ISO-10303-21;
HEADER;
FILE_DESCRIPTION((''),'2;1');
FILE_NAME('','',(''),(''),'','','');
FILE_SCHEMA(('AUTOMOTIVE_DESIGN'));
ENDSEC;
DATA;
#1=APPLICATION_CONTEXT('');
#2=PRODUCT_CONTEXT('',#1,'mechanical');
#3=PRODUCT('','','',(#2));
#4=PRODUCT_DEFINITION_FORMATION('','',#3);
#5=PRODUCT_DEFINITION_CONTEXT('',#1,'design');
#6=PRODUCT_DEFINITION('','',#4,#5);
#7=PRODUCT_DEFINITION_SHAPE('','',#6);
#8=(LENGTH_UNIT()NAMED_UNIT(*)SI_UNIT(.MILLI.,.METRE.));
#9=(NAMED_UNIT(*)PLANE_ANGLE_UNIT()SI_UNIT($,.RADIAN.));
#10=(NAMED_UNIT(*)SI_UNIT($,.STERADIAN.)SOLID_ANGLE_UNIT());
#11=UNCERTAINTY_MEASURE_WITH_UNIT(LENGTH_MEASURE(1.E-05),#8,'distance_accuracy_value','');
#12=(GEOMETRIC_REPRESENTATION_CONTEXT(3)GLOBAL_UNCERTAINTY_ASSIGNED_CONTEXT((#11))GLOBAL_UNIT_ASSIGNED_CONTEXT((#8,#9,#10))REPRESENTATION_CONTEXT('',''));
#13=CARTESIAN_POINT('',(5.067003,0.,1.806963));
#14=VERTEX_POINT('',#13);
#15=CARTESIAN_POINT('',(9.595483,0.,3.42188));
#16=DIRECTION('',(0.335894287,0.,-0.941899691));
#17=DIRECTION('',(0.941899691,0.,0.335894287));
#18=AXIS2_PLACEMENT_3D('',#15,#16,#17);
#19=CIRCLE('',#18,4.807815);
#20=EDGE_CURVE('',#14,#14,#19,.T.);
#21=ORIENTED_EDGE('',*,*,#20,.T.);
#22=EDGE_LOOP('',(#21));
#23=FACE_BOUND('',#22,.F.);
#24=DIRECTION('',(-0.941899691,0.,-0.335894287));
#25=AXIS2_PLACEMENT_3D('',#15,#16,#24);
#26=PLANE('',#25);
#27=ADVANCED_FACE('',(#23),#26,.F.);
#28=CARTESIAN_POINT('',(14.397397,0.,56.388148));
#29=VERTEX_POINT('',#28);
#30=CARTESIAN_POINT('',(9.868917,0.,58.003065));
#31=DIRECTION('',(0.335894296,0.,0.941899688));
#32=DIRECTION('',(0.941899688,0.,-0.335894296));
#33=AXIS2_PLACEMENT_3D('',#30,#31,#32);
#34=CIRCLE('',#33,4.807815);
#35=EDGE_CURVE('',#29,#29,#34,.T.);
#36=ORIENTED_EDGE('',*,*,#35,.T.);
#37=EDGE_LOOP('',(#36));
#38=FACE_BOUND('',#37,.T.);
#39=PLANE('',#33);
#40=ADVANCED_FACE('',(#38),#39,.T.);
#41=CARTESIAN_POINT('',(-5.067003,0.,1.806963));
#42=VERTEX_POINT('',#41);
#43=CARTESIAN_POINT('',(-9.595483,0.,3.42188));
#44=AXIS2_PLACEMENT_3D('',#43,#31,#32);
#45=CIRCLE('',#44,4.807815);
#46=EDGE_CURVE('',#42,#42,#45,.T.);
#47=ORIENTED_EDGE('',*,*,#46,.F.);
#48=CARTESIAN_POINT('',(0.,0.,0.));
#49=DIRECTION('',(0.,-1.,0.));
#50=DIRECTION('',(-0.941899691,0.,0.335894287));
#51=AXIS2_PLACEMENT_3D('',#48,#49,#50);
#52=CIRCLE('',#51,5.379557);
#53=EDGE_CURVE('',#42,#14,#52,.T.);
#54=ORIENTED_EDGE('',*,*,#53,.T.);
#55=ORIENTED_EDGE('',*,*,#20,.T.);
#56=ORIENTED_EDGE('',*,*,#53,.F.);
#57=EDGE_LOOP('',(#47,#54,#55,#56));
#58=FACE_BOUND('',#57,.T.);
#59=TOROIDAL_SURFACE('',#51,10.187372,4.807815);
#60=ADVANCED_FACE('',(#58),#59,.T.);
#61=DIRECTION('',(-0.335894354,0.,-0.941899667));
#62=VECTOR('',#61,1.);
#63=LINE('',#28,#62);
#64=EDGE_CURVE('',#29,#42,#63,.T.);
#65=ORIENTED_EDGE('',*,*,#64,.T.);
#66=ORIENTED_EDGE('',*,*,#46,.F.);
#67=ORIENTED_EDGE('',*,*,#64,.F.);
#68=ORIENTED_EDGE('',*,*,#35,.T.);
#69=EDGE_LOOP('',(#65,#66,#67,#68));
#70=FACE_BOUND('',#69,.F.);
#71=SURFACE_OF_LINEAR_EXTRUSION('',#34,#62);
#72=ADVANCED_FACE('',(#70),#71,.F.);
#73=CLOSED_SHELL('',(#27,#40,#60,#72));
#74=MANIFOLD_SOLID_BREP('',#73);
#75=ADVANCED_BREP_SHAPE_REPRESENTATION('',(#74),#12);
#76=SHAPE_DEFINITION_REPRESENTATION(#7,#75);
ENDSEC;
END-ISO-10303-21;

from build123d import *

# Parameters (mm, degrees)
F1_R = 4.807815


with BuildPart() as f2:
    # F2: sweep along a path in F0
    with BuildLine(Plane.XZ) as f2_path:
        Line((10.045403, 57.940128), (-9.418997, 3.358943))
        ThreePointArc((-9.418997, 3.358943), (0, -10), (9.418997, 3.358943))
    # F1 (on Top) → F2 (sweep)
    with BuildSketch(Plane.XY):
        with Locations((-10.187372, 0)):
            Circle(F1_R)
    sweep(path=f2_path.line)


solid = f2.part
